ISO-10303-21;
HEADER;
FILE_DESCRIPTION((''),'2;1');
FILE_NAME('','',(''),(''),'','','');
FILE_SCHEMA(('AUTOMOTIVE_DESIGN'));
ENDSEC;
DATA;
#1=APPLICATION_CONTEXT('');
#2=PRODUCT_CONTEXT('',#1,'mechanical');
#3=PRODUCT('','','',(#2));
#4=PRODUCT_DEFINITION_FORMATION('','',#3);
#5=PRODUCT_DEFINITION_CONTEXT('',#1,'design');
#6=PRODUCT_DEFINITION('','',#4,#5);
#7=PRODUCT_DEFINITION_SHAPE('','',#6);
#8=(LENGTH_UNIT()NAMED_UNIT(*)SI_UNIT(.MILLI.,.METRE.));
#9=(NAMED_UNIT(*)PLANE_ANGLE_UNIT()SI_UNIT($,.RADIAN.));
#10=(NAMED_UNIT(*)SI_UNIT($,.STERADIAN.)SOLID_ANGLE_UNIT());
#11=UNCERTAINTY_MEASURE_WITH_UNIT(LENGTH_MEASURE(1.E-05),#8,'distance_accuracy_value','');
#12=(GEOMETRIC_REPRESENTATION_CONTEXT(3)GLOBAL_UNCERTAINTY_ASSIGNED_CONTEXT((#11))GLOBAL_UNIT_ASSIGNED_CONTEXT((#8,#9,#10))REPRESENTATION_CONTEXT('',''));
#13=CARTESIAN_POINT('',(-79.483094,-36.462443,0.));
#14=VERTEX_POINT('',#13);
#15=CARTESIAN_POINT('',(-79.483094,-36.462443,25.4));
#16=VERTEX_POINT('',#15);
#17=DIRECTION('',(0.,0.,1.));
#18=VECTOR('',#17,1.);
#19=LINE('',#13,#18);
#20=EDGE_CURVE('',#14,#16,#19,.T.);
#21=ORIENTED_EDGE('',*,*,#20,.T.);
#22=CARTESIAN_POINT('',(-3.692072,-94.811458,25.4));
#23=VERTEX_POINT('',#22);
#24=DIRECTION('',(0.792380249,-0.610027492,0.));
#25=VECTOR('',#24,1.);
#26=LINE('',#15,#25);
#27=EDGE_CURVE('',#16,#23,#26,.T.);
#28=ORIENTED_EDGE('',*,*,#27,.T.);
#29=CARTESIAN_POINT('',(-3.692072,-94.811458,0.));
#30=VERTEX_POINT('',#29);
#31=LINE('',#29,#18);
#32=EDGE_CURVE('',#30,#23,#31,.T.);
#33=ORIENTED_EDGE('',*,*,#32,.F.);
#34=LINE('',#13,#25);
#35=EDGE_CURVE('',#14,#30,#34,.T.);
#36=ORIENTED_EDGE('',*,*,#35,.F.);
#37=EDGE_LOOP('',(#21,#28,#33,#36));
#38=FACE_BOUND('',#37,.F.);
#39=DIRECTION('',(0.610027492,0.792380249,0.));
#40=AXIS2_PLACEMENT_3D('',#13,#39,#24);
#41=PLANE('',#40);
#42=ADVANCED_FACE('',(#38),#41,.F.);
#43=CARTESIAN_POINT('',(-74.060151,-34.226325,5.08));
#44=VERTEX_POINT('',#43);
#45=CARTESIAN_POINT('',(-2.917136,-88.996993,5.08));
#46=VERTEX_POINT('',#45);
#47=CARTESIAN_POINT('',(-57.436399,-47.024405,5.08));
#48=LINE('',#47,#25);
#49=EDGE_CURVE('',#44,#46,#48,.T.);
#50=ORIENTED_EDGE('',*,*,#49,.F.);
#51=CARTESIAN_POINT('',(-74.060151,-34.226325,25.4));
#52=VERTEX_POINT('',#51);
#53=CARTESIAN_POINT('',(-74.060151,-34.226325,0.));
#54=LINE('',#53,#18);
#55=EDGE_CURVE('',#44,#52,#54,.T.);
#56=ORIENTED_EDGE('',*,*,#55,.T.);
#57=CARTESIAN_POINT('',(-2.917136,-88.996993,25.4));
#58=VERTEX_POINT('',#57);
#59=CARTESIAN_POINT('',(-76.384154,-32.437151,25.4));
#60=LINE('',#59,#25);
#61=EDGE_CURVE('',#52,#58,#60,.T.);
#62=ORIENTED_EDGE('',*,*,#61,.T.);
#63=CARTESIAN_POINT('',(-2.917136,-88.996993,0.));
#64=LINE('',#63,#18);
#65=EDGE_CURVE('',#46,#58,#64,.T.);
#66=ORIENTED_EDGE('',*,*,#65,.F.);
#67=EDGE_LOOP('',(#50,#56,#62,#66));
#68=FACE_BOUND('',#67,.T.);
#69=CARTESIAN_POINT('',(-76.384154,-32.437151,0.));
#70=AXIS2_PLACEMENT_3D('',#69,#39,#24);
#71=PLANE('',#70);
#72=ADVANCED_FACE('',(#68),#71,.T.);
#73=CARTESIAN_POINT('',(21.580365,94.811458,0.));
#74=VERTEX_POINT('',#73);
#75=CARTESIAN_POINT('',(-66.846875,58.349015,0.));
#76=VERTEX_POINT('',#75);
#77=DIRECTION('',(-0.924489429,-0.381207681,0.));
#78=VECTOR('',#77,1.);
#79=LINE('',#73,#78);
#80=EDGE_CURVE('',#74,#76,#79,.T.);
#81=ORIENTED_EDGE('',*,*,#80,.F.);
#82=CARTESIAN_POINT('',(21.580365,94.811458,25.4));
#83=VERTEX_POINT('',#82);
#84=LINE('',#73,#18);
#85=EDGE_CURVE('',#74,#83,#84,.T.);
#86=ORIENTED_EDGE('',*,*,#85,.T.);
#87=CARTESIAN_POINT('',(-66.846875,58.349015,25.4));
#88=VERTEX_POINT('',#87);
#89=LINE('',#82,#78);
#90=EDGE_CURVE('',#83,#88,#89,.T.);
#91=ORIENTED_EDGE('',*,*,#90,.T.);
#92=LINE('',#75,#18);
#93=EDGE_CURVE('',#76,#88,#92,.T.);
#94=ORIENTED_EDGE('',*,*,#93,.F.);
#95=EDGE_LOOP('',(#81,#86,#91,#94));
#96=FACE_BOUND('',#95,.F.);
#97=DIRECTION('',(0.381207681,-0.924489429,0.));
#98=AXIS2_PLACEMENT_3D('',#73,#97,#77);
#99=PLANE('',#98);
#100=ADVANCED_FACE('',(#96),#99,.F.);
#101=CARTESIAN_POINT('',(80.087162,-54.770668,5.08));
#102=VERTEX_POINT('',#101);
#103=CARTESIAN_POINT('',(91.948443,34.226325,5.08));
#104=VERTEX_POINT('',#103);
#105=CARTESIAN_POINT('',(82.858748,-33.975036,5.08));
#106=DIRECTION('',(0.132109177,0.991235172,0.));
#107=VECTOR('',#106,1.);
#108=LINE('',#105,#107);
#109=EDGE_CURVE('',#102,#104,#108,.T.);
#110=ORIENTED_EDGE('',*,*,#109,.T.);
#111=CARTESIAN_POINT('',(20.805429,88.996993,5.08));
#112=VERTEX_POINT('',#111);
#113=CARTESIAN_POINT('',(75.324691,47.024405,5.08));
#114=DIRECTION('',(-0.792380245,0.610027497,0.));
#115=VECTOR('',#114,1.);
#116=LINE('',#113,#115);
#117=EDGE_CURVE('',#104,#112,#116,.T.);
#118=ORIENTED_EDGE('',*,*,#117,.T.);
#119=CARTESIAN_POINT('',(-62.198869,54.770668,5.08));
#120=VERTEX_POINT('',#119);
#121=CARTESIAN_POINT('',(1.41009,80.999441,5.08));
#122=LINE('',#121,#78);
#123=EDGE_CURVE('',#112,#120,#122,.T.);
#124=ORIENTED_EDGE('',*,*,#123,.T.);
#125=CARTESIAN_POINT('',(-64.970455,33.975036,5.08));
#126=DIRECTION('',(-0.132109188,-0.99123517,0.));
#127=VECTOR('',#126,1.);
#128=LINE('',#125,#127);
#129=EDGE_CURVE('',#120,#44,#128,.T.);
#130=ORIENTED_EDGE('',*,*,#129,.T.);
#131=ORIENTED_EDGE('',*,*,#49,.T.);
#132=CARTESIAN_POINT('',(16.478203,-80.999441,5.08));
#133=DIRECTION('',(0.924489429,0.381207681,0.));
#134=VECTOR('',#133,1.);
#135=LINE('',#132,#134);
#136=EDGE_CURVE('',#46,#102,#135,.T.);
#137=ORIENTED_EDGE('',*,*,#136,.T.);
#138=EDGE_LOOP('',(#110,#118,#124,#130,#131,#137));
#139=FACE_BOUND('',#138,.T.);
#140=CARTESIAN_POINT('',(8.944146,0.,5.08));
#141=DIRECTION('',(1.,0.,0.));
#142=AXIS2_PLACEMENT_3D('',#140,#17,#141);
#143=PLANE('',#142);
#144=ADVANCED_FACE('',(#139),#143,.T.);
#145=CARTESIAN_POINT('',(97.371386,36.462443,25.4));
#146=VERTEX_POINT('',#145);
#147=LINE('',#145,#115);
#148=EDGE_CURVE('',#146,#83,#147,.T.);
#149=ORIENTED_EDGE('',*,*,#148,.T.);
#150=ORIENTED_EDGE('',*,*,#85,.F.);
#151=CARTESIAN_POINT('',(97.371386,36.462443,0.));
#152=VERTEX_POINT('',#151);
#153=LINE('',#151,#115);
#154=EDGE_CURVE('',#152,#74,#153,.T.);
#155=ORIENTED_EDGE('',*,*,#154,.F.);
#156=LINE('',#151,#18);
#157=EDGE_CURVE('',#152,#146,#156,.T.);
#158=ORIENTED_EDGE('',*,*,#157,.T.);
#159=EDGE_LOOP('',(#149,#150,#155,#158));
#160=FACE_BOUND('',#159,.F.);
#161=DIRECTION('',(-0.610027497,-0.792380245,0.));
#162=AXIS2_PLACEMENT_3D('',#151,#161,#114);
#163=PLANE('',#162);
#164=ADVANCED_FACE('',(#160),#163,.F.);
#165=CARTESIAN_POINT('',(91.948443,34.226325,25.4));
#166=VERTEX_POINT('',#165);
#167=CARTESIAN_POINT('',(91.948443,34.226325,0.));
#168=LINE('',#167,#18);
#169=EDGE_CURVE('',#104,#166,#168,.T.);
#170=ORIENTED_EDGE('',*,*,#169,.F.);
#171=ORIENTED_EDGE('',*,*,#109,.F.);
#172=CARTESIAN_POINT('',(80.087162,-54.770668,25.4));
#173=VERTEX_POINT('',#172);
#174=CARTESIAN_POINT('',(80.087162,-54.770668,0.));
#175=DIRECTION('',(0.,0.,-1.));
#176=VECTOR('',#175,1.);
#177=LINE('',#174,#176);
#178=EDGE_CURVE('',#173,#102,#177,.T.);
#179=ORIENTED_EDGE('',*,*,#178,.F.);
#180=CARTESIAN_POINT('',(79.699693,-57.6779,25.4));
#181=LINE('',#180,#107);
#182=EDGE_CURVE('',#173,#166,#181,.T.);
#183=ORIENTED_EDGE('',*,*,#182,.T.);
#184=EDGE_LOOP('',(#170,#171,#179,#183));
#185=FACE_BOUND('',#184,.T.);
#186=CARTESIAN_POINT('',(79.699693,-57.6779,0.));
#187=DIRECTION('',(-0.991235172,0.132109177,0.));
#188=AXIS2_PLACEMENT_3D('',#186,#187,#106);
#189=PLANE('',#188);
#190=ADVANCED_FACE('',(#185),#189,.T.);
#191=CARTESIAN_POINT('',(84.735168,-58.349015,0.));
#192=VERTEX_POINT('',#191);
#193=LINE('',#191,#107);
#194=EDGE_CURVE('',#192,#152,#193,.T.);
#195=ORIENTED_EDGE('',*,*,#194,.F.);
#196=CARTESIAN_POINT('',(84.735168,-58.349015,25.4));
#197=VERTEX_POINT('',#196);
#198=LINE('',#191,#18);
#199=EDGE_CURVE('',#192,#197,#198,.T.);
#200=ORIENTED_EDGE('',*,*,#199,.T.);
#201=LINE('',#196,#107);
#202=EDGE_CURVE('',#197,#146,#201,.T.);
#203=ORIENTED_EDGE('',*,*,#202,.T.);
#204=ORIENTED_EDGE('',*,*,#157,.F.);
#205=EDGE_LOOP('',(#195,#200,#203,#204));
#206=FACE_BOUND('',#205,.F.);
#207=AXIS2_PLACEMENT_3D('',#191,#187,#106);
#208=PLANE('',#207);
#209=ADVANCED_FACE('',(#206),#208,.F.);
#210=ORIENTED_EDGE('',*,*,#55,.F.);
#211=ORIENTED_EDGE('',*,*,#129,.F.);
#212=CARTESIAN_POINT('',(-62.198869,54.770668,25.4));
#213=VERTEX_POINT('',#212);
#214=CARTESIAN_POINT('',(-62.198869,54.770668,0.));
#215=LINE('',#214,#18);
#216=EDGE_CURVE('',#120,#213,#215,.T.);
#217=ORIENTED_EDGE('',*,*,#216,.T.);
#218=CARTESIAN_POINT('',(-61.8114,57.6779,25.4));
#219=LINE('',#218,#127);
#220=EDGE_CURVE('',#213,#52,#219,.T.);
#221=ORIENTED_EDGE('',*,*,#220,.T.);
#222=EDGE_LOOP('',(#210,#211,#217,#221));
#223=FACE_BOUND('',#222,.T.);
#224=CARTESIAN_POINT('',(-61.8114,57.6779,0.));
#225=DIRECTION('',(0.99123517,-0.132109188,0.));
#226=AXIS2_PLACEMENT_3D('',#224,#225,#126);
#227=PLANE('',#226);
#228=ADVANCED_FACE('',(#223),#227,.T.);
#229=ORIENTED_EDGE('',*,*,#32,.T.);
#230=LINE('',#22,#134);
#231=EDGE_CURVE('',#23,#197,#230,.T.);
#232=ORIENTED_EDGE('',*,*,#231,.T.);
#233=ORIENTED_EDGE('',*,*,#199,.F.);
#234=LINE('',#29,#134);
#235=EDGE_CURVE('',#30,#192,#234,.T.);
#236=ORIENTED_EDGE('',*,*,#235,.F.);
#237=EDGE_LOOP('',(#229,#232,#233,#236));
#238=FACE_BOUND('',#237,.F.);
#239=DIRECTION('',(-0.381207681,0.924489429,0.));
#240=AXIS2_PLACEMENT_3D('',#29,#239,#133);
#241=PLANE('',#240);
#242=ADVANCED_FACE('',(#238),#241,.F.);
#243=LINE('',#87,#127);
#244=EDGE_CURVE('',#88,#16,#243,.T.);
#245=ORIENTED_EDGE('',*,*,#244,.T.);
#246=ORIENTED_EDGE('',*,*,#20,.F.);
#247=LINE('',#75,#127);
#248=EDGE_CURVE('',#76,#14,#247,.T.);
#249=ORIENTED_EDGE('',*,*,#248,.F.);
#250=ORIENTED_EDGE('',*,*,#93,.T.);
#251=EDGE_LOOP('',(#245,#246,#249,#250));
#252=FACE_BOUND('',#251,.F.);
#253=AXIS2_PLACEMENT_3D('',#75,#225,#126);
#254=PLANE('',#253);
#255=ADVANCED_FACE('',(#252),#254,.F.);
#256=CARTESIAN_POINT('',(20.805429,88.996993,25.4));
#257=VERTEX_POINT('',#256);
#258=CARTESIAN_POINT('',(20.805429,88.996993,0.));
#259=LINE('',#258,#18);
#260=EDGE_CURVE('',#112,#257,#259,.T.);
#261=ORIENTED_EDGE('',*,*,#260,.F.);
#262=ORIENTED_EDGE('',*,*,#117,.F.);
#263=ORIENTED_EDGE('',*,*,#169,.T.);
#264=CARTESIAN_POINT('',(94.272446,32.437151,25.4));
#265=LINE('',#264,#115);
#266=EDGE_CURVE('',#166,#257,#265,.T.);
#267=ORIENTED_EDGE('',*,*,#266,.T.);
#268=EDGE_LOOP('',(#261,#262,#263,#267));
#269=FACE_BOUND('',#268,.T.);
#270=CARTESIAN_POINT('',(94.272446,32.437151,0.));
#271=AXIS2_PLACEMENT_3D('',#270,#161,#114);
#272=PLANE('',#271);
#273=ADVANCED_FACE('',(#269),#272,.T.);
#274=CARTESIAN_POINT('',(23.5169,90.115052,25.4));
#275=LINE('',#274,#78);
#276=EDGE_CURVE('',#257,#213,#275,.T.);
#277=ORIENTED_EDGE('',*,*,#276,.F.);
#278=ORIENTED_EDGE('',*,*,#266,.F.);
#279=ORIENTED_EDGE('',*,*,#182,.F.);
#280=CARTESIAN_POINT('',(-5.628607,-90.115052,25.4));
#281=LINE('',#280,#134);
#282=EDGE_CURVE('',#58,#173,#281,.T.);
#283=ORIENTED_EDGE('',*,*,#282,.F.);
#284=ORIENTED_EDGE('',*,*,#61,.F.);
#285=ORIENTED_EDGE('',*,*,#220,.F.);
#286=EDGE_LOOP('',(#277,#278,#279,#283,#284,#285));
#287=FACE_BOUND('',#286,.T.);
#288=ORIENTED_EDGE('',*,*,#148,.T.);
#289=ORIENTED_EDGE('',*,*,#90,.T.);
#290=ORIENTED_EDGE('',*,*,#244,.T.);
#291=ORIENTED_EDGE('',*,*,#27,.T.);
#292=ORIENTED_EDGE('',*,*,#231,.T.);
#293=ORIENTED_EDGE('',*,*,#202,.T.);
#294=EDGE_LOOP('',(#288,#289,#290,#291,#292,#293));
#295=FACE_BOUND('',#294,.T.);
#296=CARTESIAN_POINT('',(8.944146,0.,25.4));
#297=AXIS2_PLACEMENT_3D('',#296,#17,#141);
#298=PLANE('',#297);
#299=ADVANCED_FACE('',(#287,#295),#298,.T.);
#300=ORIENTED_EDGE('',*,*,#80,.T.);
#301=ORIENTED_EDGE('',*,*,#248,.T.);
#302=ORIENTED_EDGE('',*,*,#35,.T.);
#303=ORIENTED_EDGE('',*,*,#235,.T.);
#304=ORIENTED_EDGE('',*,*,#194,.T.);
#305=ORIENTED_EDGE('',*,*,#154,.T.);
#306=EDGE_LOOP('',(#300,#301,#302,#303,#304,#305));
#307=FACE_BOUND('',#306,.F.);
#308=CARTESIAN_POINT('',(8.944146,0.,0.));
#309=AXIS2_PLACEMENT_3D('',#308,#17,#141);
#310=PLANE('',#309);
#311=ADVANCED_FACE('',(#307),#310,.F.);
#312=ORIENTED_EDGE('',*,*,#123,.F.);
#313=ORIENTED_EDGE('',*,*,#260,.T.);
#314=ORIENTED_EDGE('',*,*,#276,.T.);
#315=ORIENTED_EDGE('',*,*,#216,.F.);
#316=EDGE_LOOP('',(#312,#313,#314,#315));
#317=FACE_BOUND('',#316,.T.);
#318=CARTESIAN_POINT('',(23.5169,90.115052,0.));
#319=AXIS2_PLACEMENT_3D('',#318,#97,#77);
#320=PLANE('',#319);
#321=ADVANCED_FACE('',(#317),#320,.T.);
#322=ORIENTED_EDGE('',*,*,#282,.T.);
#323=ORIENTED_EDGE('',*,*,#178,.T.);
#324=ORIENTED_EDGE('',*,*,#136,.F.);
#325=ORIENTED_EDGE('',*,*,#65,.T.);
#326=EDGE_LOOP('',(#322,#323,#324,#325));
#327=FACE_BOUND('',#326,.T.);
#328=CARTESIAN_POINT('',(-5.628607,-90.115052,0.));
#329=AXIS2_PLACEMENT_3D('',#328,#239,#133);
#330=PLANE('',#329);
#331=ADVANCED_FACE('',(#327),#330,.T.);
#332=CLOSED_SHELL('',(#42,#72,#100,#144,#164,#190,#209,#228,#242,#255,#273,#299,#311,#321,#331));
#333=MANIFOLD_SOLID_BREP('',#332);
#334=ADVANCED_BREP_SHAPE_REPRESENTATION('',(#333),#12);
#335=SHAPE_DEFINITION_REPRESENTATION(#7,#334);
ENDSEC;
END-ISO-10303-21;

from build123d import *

# Parameters (mm, degrees)
F1_DEPTH = 25.4
F2_T     = -5.08


with BuildPart() as f1:
    # F0 (on Top) → F1 (new body)
    with BuildSketch(Plane.XY):
        Polygon((84.735168, -58.349015), (97.371386, 36.462443), (21.580365, 94.811458), (-66.846875, 58.349015), (-79.483094, -36.462443), (-3.692072, -94.811458), align=None)
    extrude(amount=F1_DEPTH)

    # F2
    f2_openings = [f1.faces().sort_by_distance(p)[0] for p in [
        (8.944146, 0, 25.4),
    ]]
    offset(amount=F2_T, openings=f2_openings)


solid = f1.part
